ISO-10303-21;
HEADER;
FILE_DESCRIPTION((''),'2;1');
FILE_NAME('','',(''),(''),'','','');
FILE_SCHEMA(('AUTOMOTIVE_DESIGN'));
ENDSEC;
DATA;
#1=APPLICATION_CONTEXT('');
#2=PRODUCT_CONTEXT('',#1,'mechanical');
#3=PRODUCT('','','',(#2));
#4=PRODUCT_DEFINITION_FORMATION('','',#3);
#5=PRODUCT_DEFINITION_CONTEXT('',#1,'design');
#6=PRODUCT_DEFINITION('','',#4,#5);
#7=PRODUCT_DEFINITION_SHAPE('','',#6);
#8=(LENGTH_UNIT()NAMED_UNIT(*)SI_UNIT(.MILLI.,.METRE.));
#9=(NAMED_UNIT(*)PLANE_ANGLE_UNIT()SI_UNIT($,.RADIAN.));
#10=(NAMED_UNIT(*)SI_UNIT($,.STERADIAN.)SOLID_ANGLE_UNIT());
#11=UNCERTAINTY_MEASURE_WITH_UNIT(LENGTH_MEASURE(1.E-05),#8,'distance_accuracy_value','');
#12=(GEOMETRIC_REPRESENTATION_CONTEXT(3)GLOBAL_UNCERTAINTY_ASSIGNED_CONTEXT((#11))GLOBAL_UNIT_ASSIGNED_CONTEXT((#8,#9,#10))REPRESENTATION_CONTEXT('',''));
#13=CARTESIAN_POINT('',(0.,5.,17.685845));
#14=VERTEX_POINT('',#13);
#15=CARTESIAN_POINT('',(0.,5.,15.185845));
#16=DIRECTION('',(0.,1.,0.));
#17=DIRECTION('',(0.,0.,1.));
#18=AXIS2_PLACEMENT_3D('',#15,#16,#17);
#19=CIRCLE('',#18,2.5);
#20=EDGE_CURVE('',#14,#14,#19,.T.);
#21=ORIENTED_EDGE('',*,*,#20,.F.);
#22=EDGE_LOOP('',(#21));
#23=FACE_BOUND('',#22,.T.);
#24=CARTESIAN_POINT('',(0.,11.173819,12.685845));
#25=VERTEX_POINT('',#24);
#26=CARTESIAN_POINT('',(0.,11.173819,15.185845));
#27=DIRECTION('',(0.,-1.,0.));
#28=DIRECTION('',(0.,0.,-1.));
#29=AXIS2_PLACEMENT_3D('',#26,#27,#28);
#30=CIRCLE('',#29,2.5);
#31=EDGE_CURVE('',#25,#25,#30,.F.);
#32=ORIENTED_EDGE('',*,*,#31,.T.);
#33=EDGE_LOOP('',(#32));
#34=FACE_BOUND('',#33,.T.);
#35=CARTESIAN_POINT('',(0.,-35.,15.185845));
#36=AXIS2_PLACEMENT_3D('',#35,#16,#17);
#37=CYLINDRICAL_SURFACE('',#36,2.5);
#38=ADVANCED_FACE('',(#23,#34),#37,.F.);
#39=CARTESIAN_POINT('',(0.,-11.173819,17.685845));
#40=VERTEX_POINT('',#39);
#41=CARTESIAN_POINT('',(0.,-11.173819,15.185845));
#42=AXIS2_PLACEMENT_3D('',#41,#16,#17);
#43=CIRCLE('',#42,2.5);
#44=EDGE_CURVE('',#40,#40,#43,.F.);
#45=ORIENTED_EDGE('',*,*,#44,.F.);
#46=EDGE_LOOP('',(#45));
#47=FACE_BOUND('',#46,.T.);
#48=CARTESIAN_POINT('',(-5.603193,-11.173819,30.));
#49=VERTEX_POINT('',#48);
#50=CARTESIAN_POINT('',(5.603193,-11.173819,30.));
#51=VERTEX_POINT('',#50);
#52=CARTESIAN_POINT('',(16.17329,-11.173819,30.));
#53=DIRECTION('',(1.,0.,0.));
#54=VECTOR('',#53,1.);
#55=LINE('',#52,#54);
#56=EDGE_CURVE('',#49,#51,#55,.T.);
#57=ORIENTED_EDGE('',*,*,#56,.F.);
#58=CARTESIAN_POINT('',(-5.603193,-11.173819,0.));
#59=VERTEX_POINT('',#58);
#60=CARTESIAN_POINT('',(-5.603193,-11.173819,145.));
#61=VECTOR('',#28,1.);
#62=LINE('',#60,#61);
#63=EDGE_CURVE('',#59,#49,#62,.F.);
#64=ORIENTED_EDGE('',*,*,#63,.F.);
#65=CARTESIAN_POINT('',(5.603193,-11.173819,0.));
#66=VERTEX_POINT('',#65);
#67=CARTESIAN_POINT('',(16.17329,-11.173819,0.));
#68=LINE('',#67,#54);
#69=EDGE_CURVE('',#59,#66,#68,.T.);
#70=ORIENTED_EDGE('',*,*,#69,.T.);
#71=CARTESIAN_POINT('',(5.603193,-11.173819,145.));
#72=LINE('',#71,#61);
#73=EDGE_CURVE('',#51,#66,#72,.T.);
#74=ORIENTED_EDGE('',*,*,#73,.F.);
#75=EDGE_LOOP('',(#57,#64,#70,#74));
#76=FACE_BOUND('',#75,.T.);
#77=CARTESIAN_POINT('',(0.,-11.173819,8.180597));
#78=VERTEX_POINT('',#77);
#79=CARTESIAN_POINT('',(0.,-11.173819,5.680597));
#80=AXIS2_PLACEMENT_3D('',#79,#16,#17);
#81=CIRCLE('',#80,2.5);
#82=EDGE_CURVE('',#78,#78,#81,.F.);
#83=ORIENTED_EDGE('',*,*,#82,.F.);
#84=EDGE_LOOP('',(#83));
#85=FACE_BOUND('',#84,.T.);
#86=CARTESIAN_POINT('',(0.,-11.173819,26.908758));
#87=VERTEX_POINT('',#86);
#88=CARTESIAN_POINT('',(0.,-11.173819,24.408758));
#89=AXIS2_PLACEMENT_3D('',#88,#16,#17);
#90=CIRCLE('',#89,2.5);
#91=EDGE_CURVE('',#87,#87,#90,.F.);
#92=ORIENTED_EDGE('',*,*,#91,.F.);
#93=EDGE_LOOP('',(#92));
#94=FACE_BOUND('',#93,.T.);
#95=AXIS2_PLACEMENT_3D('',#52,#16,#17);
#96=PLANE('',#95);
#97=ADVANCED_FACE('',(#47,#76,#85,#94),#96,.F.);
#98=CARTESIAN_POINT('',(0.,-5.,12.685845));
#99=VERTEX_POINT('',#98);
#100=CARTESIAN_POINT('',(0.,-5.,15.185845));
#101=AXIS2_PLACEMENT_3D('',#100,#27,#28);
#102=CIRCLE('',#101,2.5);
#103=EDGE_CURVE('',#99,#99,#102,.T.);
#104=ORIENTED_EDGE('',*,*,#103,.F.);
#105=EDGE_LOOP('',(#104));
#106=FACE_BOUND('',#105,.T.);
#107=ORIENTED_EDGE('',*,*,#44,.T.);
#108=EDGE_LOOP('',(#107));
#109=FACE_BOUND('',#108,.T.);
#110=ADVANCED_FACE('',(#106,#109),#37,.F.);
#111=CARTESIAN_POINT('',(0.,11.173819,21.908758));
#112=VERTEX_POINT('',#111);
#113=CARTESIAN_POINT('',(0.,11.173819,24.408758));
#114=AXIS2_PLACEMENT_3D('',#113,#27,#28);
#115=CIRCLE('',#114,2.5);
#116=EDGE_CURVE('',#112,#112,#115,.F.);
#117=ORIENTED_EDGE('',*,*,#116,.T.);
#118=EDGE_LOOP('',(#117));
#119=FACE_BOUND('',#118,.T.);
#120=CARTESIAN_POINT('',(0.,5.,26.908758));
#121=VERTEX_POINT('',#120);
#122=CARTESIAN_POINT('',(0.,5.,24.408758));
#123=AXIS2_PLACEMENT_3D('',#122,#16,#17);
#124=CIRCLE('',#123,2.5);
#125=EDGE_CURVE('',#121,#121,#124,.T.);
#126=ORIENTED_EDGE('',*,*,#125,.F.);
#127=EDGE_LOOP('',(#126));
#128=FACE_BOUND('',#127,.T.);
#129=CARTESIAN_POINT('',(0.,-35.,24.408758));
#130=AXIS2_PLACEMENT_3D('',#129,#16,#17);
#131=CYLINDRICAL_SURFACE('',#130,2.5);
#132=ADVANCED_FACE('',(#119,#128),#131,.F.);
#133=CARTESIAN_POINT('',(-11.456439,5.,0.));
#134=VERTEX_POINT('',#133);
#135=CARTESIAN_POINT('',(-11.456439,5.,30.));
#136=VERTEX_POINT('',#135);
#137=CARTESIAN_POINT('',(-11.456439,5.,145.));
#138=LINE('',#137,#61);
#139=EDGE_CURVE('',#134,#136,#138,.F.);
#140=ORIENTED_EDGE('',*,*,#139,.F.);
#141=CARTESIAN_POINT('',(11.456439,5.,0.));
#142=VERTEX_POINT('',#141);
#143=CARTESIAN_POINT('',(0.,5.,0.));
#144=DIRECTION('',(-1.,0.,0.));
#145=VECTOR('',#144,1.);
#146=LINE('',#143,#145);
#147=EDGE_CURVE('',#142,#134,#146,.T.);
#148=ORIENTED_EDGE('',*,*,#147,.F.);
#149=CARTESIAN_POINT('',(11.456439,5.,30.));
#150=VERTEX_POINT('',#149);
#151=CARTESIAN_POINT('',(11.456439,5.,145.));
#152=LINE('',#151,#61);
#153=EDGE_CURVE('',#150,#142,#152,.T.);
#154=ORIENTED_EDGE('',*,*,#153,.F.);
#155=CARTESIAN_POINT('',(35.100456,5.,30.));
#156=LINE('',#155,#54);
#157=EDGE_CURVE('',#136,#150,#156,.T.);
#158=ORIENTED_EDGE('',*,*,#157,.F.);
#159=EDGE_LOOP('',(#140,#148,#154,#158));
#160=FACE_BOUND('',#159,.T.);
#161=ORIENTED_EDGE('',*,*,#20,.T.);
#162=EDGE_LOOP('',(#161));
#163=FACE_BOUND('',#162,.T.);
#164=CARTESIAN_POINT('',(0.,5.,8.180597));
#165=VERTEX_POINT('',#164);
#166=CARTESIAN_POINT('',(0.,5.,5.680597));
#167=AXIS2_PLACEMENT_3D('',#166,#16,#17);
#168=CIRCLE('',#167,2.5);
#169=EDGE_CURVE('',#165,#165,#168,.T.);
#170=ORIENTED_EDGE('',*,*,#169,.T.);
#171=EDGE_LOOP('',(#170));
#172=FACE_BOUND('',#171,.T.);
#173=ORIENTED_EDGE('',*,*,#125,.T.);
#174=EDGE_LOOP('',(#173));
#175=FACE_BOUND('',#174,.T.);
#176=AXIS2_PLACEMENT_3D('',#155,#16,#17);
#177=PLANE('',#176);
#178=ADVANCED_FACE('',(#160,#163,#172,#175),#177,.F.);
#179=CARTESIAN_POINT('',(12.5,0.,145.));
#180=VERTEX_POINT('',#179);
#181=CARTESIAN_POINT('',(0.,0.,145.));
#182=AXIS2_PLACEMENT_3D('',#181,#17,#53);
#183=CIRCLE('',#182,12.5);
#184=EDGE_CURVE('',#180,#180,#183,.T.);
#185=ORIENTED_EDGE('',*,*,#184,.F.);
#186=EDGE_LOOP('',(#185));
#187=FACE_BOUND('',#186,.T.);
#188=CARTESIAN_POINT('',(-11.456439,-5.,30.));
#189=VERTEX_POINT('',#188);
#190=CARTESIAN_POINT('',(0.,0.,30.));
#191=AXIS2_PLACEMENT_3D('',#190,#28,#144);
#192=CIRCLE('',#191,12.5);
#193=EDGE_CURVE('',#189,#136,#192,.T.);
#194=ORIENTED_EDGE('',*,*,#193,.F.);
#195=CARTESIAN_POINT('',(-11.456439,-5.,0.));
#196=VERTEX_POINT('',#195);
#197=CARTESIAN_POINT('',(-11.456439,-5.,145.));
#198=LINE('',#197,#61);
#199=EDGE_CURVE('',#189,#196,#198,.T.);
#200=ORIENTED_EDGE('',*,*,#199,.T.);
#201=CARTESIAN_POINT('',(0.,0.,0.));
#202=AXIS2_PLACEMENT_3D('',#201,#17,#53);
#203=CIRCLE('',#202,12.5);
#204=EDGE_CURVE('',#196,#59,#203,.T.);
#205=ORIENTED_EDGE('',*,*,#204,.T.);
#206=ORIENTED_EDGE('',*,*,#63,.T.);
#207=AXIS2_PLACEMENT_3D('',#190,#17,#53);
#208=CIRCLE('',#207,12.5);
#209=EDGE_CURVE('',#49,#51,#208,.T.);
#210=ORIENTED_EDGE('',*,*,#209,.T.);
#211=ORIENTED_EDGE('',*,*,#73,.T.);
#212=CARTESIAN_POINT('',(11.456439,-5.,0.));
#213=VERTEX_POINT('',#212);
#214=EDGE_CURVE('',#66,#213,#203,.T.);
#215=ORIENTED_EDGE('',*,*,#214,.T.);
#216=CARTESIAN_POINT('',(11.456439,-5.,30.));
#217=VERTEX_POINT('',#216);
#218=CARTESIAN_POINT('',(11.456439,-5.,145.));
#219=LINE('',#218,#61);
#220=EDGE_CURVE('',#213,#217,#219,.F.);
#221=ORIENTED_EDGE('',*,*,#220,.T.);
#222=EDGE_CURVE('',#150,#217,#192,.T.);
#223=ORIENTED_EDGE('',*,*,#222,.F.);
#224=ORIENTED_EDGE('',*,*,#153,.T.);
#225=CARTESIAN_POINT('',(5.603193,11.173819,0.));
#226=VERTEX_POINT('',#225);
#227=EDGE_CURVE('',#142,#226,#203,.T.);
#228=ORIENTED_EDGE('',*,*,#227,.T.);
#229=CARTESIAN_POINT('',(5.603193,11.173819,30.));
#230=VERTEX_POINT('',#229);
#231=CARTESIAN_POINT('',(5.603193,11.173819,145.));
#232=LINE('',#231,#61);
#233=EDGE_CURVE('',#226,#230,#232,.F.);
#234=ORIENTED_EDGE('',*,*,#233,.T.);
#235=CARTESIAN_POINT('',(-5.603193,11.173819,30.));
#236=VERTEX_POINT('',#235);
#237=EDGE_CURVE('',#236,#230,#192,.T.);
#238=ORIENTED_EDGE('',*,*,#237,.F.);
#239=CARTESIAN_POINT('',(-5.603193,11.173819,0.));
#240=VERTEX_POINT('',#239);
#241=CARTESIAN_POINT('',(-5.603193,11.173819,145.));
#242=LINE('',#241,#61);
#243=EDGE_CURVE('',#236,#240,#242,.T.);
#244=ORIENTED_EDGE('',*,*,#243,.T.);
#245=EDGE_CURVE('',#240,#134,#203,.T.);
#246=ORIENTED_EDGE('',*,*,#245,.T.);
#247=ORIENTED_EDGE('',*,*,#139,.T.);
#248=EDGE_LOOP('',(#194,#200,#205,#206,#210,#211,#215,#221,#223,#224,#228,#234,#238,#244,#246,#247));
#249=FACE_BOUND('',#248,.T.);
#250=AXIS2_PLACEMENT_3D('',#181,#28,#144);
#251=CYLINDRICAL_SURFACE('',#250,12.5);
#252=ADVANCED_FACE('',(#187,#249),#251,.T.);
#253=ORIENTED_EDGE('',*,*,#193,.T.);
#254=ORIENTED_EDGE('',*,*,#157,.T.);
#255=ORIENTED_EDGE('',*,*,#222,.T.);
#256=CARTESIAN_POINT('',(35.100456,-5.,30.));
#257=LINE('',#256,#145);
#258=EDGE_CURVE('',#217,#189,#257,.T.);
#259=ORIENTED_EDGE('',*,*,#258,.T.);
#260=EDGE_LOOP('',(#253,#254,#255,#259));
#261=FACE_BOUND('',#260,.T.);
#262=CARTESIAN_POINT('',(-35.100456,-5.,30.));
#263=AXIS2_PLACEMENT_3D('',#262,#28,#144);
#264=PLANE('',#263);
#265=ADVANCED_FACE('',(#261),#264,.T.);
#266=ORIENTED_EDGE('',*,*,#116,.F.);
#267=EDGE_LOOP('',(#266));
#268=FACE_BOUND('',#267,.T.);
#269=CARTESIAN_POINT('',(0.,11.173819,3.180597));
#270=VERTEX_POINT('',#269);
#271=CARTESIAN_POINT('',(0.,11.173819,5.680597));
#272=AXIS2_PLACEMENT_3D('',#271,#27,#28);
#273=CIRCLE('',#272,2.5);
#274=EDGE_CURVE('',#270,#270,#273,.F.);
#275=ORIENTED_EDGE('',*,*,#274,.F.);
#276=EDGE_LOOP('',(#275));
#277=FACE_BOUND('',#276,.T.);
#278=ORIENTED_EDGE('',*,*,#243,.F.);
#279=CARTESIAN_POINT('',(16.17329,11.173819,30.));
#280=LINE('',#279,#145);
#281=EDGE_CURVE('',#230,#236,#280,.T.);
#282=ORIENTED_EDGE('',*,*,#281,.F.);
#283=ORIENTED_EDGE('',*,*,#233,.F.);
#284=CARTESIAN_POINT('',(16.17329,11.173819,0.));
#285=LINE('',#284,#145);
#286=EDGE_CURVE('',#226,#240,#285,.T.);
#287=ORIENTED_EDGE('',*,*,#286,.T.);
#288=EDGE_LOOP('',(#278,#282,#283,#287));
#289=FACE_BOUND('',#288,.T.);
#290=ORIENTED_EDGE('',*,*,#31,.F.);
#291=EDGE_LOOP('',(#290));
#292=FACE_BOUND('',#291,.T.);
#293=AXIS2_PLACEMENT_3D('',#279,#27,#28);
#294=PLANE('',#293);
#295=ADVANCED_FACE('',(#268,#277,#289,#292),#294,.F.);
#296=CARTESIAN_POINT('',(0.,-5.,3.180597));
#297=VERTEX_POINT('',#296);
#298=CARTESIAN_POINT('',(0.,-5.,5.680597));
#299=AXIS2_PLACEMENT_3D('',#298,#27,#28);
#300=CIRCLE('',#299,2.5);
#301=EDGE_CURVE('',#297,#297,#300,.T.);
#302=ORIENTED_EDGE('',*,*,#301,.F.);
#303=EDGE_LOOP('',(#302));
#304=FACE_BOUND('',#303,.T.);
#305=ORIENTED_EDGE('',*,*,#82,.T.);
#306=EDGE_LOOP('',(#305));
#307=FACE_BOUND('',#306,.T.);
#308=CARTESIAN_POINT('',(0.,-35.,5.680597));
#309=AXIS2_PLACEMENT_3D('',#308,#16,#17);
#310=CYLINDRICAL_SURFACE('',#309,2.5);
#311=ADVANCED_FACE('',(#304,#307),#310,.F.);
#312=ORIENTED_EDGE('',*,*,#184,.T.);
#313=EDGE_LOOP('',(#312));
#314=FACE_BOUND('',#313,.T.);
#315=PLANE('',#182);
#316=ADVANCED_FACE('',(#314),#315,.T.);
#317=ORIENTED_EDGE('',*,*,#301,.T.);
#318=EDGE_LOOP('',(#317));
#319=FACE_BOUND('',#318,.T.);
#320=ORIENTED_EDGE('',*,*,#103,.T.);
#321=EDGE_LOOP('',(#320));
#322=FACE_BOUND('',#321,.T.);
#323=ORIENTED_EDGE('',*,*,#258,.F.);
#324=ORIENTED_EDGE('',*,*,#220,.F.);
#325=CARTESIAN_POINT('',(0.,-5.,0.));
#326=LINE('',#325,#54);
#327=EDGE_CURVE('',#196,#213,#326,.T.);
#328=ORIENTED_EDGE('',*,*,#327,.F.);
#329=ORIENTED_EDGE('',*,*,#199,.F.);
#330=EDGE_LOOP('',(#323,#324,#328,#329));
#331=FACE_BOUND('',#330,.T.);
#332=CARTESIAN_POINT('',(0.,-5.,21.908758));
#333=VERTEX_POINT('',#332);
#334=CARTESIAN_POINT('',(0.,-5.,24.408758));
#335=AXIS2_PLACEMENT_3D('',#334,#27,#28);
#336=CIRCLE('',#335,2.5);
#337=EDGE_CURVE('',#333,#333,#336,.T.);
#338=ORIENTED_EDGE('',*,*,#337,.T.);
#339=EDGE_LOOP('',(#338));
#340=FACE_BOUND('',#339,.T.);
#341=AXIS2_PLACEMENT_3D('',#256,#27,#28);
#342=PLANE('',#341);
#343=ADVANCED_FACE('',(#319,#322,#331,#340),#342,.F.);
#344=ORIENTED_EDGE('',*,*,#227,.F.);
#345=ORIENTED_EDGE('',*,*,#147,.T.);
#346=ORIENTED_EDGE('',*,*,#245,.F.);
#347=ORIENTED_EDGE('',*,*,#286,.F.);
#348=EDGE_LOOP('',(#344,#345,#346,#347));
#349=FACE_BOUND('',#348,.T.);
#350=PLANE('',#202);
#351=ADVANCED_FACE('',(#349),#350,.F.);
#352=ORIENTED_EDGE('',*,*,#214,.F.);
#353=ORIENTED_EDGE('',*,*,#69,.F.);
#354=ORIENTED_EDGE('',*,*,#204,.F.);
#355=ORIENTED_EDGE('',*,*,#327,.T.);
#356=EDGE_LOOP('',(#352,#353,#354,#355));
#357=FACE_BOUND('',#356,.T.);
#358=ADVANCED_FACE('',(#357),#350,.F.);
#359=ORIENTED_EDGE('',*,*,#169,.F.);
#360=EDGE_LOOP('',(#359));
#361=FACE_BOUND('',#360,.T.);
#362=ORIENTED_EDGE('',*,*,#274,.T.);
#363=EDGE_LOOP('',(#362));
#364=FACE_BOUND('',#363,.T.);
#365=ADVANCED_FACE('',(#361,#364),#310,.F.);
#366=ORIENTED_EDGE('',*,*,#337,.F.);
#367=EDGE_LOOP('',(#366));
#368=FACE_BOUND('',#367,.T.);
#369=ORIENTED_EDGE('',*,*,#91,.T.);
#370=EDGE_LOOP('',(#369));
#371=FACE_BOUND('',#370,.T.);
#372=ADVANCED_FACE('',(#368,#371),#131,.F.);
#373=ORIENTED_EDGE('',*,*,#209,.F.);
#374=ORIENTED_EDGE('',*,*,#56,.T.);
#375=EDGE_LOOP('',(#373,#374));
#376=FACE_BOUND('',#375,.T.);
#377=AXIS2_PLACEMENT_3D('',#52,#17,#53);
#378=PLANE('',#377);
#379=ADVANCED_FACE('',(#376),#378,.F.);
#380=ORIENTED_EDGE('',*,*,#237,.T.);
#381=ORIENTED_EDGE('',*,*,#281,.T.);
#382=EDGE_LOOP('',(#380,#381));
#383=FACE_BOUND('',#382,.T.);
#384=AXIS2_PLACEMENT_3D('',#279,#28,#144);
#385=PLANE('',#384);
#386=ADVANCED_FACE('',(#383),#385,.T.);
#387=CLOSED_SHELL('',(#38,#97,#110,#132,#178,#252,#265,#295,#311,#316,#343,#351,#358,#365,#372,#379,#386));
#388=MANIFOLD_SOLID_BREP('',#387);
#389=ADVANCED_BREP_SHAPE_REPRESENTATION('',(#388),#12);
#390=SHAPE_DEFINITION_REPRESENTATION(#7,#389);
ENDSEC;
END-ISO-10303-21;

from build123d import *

# Parameters (mm, degrees)
SKETCH_1_R          = 12.5
EXTRUDE_1_DEPTH     = 145
SKETCH_2_W          = 70.200911856
SKETCH_2_H          = 10
CUT_EXTRUDE_2_DEPTH = 30
SKETCH_4_R          = 2.5
CUT_EXTRUDE_1_DEPTH = 35
SKETCH_5_W          = 33.79642712
SKETCH_5_H          = 6.499312907
CUT_EXTRUDE_4_DEPTH = 30


with BuildPart() as part:
    # Эскиз1 → Вытянуть1 (new body)
    with BuildSketch(Plane.XY):
        Circle(SKETCH_1_R)
    extrude(amount=EXTRUDE_1_DEPTH)

    # Эскиз2 → Вытянуть2 (cut)
    with BuildSketch(Plane(origin=(0, 0, 0), x_dir=(-1, 0, 0), z_dir=(0, 0, -1))):
        Rectangle(SKETCH_2_W, SKETCH_2_H)
    extrude(amount=-CUT_EXTRUDE_2_DEPTH, mode=Mode.SUBTRACT)

    # Эскиз4 → Вырез-Вытянуть1 (cut, symmetric)
    with BuildSketch(Plane(origin=(0, 0, 0), x_dir=(1, 0, 0), z_dir=(0, 1, 0))):
        with Locations(Location((0, -5.680597097, 0), (0, 0, 270))):
            Circle(SKETCH_4_R)
        with Locations(Location((0, -15.185844734, 0), (0, 0, 270))):
            Circle(SKETCH_4_R)
        with Locations(Location((0, -24.408758256, 0), (0, 0, 270))):
            Circle(SKETCH_4_R)
    extrude(amount=CUT_EXTRUDE_1_DEPTH, both=True, mode=Mode.SUBTRACT)

    # Эскиз5 → Вытянуть4 (cut)
    with BuildSketch(Plane(origin=(0, 0, 0), x_dir=(-1, 0, 0), z_dir=(0, 0, -1))):
        with Locations((0.724923363, -14.423475184)):
            Rectangle(SKETCH_5_W, SKETCH_5_H)
        with Locations((0.724923363, 14.423475184)):
            Rectangle(SKETCH_5_W, SKETCH_5_H)
    extrude(amount=-CUT_EXTRUDE_4_DEPTH, mode=Mode.SUBTRACT)


solid = part.part
